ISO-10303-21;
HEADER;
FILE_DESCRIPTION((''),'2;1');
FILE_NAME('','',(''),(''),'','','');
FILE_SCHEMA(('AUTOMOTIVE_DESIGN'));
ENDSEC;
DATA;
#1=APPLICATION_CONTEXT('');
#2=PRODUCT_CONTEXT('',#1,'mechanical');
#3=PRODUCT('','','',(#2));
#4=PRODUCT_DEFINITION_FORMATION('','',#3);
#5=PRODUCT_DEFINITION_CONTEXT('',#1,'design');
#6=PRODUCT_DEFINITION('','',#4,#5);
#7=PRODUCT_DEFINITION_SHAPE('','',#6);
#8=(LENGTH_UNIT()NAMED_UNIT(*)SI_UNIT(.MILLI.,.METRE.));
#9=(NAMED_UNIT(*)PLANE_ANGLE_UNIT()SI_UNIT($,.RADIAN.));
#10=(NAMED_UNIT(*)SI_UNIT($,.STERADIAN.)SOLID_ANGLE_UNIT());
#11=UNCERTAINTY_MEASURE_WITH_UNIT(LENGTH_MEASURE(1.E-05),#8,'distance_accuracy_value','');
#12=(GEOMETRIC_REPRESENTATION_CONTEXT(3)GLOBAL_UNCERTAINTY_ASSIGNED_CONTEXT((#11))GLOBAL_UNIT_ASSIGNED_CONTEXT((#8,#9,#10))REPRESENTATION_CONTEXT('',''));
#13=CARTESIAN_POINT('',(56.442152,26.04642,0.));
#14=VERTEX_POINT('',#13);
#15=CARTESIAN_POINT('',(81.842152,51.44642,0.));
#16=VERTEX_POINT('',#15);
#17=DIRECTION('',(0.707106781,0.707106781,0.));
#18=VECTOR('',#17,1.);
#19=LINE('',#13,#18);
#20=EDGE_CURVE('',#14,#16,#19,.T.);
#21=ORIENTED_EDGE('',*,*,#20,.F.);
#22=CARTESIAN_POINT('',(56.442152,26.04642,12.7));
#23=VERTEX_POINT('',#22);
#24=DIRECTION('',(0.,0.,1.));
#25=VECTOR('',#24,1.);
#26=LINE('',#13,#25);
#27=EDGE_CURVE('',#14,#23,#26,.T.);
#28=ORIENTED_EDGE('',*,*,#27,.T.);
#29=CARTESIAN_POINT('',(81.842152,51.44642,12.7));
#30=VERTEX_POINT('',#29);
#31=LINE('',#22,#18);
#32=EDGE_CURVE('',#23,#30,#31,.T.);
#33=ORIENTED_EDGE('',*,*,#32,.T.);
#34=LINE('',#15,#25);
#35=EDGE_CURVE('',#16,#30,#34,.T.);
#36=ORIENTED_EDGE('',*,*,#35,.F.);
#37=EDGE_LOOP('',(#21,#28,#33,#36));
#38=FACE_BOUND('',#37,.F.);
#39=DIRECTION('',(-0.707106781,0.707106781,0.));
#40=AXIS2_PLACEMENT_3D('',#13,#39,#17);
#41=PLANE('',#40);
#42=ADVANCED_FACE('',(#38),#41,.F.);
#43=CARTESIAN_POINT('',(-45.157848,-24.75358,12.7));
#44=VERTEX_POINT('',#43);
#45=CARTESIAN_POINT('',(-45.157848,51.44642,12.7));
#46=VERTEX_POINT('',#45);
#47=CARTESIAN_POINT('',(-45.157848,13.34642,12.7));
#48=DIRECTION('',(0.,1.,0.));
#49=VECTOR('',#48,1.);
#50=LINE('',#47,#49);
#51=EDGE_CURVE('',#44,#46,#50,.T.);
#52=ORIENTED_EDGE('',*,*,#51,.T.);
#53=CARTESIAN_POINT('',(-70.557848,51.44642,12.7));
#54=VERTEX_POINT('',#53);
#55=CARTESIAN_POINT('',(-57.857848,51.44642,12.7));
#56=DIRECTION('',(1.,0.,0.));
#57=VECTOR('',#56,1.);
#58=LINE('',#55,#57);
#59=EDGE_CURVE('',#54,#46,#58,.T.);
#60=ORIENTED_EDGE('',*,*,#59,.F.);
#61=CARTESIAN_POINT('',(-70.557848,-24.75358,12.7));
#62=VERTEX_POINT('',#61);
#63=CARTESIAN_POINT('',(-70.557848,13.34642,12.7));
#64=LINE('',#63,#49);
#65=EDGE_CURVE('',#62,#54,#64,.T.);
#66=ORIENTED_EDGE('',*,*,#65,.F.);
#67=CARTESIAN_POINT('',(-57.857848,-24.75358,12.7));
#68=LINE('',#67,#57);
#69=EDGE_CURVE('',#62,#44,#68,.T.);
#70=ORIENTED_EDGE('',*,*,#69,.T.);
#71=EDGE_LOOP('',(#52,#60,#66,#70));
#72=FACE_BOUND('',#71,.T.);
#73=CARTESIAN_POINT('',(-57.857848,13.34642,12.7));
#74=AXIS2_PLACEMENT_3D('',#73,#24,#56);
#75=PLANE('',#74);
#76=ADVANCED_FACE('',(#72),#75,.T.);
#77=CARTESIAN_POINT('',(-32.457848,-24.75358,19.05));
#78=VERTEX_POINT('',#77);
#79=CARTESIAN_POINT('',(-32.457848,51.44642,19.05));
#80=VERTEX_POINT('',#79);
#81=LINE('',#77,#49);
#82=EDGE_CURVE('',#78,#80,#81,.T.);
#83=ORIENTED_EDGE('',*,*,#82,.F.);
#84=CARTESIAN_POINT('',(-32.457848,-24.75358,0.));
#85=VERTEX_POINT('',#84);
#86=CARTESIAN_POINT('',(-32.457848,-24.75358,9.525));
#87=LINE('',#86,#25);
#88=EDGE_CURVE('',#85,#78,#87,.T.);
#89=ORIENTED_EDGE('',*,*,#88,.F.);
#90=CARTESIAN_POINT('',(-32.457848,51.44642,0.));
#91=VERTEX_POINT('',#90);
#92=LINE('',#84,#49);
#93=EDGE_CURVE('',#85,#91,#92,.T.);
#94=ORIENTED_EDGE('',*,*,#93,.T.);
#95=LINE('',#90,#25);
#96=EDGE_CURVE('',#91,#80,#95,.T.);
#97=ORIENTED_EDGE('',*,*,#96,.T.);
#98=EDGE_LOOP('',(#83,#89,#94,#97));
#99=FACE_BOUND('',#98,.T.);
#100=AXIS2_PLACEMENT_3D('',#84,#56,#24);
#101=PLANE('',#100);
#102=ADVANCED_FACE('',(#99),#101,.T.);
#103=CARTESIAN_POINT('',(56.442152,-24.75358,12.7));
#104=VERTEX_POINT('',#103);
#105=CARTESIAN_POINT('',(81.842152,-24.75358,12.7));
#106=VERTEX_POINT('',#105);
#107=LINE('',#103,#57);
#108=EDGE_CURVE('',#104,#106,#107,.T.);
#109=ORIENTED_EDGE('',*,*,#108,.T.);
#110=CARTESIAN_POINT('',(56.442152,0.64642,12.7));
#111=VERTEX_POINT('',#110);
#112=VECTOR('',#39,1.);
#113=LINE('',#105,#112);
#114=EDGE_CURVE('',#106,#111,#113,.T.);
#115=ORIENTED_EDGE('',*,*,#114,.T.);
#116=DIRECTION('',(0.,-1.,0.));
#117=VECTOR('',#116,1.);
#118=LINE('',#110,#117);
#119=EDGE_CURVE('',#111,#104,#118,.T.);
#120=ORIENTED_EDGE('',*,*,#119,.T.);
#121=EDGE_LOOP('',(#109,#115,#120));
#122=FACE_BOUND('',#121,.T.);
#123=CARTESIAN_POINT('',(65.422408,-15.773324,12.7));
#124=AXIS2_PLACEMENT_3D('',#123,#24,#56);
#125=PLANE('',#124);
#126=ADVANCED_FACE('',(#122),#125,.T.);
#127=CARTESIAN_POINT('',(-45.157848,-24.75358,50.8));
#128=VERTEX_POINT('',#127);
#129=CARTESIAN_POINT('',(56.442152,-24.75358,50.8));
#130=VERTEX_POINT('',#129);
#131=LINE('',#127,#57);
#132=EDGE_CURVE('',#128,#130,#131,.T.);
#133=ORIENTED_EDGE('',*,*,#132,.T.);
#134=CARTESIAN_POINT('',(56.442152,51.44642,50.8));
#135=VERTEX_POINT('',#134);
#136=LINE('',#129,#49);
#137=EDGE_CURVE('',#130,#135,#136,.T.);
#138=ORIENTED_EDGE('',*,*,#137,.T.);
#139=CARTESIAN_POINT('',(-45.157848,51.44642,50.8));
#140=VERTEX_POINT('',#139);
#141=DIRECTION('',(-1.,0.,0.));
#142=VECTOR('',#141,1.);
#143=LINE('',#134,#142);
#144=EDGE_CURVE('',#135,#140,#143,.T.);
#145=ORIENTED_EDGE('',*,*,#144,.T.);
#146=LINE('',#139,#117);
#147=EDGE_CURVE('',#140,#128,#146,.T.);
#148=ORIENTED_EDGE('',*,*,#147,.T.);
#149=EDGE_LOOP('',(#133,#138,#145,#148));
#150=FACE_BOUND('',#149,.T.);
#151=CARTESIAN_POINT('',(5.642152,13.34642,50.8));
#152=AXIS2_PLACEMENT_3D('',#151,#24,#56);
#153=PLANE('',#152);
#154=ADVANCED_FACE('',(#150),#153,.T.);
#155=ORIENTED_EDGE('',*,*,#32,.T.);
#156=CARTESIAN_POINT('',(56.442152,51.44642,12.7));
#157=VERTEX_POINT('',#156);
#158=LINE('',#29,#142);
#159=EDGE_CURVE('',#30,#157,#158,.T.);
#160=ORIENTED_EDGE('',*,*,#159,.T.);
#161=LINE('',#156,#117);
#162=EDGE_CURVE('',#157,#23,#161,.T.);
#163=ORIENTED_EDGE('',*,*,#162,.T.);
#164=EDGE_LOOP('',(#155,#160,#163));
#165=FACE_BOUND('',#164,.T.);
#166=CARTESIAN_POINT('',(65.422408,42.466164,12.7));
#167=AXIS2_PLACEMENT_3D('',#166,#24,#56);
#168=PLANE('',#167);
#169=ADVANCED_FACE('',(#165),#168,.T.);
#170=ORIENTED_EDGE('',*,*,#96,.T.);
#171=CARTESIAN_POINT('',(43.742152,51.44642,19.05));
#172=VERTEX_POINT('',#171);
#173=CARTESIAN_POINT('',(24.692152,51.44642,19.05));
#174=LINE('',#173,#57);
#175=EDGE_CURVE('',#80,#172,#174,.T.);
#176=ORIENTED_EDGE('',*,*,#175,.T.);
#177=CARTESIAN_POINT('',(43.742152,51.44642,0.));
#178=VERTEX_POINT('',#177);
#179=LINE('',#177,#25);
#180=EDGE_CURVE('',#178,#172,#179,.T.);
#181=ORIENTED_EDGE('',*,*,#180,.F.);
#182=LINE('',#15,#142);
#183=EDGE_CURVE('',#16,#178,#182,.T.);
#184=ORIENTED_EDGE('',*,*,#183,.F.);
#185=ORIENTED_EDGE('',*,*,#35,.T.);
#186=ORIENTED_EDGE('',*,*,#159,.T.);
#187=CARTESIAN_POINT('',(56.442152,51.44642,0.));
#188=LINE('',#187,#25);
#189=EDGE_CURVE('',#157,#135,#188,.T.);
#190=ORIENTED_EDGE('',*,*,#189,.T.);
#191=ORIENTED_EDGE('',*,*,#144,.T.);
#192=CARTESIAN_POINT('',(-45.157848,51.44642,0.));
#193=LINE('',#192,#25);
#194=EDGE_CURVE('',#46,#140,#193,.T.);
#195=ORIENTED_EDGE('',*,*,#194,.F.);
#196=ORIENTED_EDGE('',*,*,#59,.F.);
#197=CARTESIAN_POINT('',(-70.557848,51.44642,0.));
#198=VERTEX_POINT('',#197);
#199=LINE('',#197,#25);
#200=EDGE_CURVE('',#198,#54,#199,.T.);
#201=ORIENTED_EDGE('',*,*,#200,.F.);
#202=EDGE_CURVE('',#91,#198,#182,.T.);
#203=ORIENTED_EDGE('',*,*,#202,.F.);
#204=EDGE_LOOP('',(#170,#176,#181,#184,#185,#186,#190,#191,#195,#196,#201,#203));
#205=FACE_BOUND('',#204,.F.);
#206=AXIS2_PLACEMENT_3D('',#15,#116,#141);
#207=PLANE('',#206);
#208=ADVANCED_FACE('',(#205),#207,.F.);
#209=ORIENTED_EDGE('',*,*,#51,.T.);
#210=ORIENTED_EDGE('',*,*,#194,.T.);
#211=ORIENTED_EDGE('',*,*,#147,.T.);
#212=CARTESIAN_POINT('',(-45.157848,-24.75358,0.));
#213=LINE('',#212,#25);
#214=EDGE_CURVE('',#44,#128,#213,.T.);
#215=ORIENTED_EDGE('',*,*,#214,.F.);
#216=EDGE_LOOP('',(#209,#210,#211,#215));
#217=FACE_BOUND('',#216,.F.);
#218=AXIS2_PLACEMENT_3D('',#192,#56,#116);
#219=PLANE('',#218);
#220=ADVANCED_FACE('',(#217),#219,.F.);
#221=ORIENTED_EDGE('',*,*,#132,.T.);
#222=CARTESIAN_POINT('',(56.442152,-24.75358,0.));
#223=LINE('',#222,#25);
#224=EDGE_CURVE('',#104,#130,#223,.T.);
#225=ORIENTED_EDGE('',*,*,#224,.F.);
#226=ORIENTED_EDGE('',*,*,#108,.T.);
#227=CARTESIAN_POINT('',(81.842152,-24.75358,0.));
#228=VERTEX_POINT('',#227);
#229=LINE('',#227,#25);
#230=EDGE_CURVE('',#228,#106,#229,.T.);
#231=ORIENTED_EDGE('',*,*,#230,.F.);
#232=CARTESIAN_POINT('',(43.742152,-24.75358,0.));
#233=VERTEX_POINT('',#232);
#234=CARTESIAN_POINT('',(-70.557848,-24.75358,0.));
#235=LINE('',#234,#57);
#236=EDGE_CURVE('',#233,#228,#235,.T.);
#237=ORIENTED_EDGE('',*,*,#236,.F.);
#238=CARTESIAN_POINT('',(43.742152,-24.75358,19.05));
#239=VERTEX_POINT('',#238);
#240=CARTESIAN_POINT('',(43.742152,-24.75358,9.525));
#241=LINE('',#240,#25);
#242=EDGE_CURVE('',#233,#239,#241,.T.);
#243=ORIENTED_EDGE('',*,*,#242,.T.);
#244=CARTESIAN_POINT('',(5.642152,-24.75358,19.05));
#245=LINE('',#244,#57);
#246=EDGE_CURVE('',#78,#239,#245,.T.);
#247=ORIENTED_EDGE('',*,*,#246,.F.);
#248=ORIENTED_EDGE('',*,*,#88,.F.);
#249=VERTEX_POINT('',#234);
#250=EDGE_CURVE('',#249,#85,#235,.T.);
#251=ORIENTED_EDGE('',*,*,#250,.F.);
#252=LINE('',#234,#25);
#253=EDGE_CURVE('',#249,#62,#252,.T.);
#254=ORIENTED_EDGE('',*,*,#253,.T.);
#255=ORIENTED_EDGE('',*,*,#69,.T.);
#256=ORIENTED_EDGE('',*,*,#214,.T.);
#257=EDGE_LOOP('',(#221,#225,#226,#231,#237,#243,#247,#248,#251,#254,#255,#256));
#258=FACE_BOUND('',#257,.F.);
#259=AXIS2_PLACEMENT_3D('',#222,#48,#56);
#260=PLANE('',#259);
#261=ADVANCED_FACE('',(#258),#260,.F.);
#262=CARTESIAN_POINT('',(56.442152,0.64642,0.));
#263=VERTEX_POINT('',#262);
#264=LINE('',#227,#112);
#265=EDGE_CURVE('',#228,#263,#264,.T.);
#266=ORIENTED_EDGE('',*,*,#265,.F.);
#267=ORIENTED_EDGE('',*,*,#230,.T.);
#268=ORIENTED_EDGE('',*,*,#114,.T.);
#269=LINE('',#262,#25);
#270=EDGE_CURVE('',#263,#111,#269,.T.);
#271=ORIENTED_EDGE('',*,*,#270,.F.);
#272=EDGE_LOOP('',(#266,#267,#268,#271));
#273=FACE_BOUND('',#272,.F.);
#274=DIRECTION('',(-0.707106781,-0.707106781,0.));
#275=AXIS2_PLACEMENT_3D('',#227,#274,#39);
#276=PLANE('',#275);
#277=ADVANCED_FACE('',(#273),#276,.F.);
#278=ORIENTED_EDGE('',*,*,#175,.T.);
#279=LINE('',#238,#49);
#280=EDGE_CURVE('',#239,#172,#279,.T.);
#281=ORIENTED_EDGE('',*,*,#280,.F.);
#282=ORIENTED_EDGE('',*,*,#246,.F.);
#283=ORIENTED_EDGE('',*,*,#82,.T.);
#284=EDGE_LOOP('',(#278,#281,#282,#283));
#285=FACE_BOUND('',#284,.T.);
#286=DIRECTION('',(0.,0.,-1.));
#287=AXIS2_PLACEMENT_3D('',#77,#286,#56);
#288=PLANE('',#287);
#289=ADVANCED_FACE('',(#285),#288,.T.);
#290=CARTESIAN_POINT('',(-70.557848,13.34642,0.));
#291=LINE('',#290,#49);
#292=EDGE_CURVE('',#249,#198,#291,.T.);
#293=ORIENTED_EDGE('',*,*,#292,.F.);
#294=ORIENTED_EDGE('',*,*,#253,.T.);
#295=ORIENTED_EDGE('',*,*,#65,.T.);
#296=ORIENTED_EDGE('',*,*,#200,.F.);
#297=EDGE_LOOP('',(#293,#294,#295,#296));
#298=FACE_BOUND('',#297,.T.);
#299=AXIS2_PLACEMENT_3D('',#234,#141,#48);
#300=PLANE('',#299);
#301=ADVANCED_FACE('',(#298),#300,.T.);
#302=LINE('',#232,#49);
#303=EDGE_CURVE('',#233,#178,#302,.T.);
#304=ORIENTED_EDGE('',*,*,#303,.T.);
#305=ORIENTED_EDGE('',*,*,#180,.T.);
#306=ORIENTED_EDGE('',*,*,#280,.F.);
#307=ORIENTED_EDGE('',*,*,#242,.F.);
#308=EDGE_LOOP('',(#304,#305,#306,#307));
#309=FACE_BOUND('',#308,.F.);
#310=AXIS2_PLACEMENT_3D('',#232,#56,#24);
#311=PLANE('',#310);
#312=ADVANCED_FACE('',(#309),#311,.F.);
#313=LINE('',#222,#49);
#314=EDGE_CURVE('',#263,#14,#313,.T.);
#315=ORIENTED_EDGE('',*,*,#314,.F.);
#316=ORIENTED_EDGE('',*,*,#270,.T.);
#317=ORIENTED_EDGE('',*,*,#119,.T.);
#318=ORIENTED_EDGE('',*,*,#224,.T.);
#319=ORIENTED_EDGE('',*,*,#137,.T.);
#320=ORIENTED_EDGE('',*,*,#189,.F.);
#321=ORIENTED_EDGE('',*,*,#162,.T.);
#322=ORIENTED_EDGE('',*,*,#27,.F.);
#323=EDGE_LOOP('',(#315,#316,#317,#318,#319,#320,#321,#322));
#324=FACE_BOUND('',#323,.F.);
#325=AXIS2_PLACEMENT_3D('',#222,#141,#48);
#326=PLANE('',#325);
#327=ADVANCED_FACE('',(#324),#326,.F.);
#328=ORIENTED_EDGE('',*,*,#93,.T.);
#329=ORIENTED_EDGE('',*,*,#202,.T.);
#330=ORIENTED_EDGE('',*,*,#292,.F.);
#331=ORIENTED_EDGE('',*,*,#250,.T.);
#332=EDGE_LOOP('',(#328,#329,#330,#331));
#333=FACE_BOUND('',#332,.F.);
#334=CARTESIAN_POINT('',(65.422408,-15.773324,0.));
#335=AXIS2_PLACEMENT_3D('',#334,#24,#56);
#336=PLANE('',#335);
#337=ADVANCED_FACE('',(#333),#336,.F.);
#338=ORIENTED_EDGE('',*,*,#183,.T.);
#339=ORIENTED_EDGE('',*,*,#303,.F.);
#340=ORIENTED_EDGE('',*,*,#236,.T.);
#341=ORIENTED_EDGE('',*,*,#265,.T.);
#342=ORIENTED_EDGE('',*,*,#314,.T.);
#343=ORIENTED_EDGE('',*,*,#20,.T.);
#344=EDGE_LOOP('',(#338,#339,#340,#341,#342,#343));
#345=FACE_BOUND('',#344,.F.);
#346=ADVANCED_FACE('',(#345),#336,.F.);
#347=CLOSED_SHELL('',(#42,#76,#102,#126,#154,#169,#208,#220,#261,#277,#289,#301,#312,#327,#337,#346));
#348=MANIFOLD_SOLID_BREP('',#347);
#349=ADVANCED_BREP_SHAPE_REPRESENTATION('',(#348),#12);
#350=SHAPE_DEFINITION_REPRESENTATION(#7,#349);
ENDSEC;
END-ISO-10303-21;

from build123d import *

# Parameters (mm, degrees)
F0_W     = 25.4
F0_H     = 76.2
F1_DEPTH = 12.7
F2_DEPTH = 50.8
F3_DEPTH = 12.7
F4_DEPTH = 12.7
F5_W     = 76.2
F5_H     = 19.05
F6_DEPTH = 76.201


with BuildPart() as f1:
    # F0 (on Top) → F1 (new body)
    with BuildSketch(Plane.XY):
        with Locations((-57.857848, 13.34642)):
            Rectangle(F0_W, F0_H)
    extrude(amount=F1_DEPTH)

    # F0 (on Top) → F2 (join)
    with BuildSketch(Plane.XY):
        Polygon((56.442152, 51.44642), (-45.157848, 51.44642), (-45.157848, -24.75358), (56.442152, -24.75358), (56.442152, 0.64642), (56.442152, 26.04642), align=None)
    extrude(amount=F2_DEPTH)

    # F0 (on Top) → F3 (join)
    with BuildSketch(Plane.XY):
        Polygon((81.842152, 51.44642), (56.442152, 51.44642), (56.442152, 26.04642), align=None)
    extrude(amount=F3_DEPTH)

    # F0 (on Top) → F4 (join)
    with BuildSketch(Plane.XY):
        Polygon((56.442152, 0.64642), (56.442152, -24.75358), (81.842152, -24.75358), align=None)
    extrude(amount=F4_DEPTH)

    # F5 (on face) → F6 (cut, through all)
    with BuildSketch(Plane.XZ.offset(24.75358)):
        with Locations((5.642152, 9.525)):
            Rectangle(F5_W, F5_H)
    extrude(amount=-F6_DEPTH, mode=Mode.SUBTRACT)


solid = f1.part
